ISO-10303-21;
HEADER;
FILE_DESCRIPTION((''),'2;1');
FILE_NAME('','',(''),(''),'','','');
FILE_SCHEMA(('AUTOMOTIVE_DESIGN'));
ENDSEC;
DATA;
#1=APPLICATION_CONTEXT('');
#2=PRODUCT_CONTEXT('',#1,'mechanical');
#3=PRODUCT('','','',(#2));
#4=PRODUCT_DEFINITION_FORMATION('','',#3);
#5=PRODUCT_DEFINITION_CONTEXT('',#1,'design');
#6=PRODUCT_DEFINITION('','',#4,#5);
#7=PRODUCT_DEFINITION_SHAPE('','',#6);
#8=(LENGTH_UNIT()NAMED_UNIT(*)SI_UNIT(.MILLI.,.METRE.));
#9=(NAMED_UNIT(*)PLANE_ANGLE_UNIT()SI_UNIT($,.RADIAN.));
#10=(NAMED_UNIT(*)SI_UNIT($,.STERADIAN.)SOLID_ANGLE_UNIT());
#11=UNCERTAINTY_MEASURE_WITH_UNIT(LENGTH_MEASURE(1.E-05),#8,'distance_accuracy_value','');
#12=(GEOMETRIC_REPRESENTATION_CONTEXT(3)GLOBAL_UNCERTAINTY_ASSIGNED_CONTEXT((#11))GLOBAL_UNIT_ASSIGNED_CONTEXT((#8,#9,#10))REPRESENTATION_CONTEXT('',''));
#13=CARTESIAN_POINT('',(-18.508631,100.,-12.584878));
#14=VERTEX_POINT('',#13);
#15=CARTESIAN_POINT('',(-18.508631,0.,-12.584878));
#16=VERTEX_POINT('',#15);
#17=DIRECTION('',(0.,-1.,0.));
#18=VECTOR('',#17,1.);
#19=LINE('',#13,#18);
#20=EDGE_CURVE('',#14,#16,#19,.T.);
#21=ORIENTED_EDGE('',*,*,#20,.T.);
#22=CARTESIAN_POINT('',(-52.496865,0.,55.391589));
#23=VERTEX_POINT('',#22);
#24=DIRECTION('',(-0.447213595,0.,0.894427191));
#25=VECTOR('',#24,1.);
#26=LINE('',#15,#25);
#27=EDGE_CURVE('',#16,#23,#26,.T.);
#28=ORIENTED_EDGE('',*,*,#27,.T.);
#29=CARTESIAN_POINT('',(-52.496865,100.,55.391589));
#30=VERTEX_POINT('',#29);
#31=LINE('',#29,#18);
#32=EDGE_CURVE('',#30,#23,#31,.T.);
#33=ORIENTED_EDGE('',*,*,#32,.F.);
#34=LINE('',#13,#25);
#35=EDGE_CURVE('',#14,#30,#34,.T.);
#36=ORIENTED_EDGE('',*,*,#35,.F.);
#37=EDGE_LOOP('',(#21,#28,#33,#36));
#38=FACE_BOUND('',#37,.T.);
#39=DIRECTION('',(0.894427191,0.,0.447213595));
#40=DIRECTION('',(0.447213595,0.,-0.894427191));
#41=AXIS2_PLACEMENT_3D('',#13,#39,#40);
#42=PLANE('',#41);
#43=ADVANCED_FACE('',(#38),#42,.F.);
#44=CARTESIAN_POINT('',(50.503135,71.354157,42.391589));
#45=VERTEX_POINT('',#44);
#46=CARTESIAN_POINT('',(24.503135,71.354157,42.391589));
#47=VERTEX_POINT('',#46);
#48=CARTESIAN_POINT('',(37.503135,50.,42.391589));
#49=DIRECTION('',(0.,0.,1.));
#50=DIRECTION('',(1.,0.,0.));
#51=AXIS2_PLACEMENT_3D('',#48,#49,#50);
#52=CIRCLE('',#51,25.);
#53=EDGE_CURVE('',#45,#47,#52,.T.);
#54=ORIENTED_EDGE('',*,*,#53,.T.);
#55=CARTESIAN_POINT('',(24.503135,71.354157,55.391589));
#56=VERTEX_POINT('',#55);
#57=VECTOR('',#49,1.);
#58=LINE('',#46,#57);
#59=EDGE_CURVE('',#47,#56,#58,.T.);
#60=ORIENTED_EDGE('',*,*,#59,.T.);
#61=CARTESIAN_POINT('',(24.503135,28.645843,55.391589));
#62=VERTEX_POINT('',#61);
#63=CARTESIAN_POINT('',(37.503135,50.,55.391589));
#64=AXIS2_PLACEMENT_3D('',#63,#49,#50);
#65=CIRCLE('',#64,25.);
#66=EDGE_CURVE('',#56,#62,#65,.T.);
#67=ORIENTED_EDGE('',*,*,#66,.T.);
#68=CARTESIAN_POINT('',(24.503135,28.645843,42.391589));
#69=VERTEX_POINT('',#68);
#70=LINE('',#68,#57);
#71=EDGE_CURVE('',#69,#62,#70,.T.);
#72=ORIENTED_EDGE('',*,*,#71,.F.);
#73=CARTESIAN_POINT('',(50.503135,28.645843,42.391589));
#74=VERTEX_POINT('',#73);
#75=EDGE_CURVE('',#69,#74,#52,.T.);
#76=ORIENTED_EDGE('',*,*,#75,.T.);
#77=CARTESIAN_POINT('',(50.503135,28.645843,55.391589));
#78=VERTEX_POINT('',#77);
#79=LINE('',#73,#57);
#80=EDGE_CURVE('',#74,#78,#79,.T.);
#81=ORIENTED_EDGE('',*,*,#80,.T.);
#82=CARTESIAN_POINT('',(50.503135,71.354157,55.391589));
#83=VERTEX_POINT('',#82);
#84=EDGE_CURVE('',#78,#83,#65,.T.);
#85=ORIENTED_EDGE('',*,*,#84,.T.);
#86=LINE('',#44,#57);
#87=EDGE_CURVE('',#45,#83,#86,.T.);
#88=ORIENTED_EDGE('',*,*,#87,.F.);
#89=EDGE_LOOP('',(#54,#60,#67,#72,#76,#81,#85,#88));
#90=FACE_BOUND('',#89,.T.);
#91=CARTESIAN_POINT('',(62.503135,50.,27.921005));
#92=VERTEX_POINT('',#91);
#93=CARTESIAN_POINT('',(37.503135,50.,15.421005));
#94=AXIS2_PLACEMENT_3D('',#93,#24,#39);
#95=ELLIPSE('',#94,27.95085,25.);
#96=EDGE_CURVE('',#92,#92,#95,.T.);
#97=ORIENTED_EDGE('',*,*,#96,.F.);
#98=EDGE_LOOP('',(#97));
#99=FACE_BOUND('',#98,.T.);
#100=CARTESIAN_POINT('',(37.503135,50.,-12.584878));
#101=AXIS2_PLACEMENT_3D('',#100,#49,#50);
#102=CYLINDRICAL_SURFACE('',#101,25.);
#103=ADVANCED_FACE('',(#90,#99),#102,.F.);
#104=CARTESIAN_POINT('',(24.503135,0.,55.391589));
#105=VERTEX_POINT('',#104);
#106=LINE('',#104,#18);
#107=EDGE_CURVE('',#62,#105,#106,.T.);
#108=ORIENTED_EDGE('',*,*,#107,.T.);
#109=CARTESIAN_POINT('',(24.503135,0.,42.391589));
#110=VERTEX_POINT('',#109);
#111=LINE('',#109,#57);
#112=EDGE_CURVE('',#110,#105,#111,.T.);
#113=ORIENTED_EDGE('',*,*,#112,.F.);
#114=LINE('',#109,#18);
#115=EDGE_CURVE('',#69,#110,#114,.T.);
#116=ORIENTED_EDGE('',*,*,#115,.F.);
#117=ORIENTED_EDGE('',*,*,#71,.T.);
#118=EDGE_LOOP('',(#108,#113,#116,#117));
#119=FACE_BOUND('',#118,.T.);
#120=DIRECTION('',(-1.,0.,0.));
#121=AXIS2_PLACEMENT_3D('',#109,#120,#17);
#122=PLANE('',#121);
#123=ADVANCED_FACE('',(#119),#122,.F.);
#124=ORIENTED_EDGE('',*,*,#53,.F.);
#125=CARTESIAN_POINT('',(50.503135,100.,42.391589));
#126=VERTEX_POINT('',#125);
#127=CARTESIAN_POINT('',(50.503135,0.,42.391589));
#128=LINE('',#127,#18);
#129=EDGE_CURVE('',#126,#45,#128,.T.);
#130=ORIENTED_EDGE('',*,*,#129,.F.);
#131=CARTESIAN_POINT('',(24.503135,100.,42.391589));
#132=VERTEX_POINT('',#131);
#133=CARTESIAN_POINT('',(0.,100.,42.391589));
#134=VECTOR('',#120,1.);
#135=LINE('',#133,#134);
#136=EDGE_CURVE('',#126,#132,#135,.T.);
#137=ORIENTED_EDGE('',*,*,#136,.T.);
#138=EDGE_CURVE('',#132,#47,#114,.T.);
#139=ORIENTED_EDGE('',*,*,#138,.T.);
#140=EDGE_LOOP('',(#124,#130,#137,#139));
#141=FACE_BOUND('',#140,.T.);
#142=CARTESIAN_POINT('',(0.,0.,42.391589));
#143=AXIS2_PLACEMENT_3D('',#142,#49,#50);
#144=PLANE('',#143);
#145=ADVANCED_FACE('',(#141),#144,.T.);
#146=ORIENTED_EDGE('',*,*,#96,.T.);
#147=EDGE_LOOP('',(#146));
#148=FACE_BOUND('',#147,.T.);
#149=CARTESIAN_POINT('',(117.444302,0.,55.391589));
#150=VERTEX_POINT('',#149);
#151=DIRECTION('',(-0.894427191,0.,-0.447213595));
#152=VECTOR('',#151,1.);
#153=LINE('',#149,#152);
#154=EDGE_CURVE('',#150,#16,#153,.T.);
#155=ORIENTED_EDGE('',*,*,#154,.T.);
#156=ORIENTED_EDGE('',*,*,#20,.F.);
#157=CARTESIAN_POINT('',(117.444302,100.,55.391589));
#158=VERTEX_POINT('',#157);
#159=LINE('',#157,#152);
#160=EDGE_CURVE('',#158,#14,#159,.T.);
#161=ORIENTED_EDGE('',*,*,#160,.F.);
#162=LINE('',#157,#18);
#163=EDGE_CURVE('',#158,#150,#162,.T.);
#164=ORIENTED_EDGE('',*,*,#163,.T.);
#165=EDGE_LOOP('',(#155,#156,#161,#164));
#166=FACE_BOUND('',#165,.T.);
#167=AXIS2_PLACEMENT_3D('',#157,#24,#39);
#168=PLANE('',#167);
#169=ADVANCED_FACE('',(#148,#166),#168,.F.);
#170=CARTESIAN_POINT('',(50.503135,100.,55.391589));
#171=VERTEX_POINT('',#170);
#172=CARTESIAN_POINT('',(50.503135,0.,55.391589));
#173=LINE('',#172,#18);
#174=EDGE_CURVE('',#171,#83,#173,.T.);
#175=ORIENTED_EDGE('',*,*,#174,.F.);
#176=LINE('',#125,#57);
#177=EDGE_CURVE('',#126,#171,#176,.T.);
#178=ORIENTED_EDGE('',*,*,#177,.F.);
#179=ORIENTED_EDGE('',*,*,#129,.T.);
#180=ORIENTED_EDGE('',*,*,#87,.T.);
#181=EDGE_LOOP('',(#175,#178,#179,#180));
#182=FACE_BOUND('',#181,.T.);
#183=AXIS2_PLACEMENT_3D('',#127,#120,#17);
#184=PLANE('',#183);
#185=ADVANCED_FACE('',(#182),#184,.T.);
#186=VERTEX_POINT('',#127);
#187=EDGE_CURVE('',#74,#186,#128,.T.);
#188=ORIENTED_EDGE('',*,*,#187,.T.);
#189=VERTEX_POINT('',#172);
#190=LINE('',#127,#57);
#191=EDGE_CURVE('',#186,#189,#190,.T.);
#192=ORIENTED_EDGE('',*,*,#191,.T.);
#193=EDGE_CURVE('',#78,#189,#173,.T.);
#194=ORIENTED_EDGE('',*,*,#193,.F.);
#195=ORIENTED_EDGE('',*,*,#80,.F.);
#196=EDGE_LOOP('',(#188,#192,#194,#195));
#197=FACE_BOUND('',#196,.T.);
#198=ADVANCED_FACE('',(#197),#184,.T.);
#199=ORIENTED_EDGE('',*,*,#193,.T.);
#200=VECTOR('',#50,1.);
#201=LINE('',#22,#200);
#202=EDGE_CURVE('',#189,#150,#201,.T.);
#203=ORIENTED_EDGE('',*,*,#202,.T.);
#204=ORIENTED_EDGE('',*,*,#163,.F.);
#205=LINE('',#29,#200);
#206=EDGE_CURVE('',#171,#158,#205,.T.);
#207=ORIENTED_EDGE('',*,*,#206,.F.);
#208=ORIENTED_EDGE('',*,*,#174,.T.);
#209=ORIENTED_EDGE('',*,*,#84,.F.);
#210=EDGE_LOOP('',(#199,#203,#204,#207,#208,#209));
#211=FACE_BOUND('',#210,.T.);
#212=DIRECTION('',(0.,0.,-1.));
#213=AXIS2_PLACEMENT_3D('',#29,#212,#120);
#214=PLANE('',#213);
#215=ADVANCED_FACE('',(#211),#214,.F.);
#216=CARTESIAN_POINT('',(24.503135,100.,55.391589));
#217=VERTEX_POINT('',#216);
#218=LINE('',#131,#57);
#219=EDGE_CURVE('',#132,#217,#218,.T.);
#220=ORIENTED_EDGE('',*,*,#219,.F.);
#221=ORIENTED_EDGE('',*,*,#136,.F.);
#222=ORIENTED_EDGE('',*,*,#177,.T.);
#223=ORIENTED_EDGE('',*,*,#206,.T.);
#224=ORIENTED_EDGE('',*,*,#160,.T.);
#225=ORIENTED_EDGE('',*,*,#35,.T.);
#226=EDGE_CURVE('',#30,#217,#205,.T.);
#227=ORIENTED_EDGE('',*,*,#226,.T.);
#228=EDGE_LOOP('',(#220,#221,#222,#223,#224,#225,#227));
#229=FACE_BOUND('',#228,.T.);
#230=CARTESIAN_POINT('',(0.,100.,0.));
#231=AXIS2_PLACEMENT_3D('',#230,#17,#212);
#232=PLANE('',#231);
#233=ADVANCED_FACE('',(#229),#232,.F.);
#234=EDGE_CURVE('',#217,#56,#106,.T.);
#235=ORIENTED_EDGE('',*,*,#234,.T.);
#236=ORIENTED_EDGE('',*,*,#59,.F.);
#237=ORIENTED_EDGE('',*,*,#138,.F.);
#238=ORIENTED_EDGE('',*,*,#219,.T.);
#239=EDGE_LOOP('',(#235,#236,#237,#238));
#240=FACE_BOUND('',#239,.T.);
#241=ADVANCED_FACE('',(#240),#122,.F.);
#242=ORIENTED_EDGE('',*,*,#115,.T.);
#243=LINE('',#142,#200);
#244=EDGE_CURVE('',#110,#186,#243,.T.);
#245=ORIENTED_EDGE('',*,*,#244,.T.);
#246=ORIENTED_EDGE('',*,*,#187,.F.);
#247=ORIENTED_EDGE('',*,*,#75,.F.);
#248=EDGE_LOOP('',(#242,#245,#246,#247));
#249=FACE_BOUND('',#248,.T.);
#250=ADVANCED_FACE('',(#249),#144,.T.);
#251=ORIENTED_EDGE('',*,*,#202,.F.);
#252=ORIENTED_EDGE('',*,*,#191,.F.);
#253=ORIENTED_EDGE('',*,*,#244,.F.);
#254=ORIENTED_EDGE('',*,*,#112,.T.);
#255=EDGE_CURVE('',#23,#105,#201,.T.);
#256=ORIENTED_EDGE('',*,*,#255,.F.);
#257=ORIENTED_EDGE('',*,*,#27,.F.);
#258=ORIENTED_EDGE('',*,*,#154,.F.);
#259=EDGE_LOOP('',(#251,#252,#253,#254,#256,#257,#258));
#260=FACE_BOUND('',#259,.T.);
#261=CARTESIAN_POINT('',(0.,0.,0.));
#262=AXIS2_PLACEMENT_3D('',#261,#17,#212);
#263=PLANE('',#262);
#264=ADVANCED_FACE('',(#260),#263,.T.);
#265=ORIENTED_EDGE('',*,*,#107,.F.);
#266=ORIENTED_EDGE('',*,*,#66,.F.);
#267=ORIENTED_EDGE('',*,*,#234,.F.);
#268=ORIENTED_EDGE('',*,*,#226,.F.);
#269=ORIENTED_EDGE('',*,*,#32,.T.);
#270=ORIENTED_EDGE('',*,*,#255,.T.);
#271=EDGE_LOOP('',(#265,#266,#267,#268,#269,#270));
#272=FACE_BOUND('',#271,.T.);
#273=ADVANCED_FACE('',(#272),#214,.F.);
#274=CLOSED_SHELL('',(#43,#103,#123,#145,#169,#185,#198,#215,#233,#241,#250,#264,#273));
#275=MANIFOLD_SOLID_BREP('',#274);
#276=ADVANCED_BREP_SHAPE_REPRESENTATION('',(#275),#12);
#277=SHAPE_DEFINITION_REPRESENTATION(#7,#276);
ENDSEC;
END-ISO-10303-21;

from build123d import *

# Parameters (mm, degrees)
ESTRUSIONE_ESTRUSIONE1_DEPTH = 100
TAGLIO_ESTRUSIONE2_DEPTH     = 13
SCHIZZO5_R                   = 25
TAGLIO_ESTRUSIONE3_DEPTH     = 169.564420887


with BuildPart() as part:
    # Schizzo1 → Estrusione-Estrusione1 (new body)
    with BuildSketch(Plane(origin=(0, 0, 0), x_dir=(1, 0, 0), z_dir=(0, 1, 0))):
        Polygon((-52.496864645, -55.39158852), (117.444301645, -55.39158852), (-18.508631387, 12.584877996), align=None)
    extrude(amount=ESTRUSIONE_ESTRUSIONE1_DEPTH)

    # Schizzo2 → Taglio-Estrusione2 (cut)
    with BuildSketch(Plane.XY.offset(55.39158852)):
        with BuildLine():
            Line((50.503135355, 100), (37.503135355, 100))
            Line((37.503135355, 100), (37.503135355, 75))
            ThreePointArc((37.503135355, 75), (44.253916325, 74.071289045), (50.503135355, 71.354156504))
            Line((50.503135355, 71.354156504), (50.503135355, 100))
        make_face()
        with BuildLine():
            Line((37.503135355, 75), (37.503135355, 100))
            Line((37.503135355, 100), (24.503135355, 100))
            Line((24.503135355, 100), (24.503135355, 71.354156504))
            ThreePointArc((24.503135355, 71.354156504), (30.752354386, 74.071289045), (37.503135355, 75))
        make_face()
        with BuildLine():
            ThreePointArc((50.503135355, 28.645843496), (44.253916325, 25.928710955), (37.503135355, 25))
            Line((37.503135355, 25), (37.503135355, 0))
            Line((37.503135355, 0), (50.503135355, 0))
            Line((50.503135355, 0), (50.503135355, 28.645843496))
        make_face()
        with BuildLine():
            Line((37.503135355, 0), (37.503135355, 25))
            ThreePointArc((37.503135355, 25), (30.752354386, 25.928710955), (24.503135355, 28.645843496))
            Line((24.503135355, 28.645843496), (24.503135355, 0))
            Line((24.503135355, 0), (37.503135355, 0))
        make_face()
    extrude(amount=-TAGLIO_ESTRUSIONE2_DEPTH, mode=Mode.SUBTRACT)

    # Schizzo5 → Taglio-Estrusione3 (cut, through all)
    with BuildSketch(Plane.XY.offset(55.39158852)):
        with Locations((37.503135355, 50)):
            Circle(SCHIZZO5_R)
    extrude(amount=-TAGLIO_ESTRUSIONE3_DEPTH, mode=Mode.SUBTRACT)


solid = part.part
